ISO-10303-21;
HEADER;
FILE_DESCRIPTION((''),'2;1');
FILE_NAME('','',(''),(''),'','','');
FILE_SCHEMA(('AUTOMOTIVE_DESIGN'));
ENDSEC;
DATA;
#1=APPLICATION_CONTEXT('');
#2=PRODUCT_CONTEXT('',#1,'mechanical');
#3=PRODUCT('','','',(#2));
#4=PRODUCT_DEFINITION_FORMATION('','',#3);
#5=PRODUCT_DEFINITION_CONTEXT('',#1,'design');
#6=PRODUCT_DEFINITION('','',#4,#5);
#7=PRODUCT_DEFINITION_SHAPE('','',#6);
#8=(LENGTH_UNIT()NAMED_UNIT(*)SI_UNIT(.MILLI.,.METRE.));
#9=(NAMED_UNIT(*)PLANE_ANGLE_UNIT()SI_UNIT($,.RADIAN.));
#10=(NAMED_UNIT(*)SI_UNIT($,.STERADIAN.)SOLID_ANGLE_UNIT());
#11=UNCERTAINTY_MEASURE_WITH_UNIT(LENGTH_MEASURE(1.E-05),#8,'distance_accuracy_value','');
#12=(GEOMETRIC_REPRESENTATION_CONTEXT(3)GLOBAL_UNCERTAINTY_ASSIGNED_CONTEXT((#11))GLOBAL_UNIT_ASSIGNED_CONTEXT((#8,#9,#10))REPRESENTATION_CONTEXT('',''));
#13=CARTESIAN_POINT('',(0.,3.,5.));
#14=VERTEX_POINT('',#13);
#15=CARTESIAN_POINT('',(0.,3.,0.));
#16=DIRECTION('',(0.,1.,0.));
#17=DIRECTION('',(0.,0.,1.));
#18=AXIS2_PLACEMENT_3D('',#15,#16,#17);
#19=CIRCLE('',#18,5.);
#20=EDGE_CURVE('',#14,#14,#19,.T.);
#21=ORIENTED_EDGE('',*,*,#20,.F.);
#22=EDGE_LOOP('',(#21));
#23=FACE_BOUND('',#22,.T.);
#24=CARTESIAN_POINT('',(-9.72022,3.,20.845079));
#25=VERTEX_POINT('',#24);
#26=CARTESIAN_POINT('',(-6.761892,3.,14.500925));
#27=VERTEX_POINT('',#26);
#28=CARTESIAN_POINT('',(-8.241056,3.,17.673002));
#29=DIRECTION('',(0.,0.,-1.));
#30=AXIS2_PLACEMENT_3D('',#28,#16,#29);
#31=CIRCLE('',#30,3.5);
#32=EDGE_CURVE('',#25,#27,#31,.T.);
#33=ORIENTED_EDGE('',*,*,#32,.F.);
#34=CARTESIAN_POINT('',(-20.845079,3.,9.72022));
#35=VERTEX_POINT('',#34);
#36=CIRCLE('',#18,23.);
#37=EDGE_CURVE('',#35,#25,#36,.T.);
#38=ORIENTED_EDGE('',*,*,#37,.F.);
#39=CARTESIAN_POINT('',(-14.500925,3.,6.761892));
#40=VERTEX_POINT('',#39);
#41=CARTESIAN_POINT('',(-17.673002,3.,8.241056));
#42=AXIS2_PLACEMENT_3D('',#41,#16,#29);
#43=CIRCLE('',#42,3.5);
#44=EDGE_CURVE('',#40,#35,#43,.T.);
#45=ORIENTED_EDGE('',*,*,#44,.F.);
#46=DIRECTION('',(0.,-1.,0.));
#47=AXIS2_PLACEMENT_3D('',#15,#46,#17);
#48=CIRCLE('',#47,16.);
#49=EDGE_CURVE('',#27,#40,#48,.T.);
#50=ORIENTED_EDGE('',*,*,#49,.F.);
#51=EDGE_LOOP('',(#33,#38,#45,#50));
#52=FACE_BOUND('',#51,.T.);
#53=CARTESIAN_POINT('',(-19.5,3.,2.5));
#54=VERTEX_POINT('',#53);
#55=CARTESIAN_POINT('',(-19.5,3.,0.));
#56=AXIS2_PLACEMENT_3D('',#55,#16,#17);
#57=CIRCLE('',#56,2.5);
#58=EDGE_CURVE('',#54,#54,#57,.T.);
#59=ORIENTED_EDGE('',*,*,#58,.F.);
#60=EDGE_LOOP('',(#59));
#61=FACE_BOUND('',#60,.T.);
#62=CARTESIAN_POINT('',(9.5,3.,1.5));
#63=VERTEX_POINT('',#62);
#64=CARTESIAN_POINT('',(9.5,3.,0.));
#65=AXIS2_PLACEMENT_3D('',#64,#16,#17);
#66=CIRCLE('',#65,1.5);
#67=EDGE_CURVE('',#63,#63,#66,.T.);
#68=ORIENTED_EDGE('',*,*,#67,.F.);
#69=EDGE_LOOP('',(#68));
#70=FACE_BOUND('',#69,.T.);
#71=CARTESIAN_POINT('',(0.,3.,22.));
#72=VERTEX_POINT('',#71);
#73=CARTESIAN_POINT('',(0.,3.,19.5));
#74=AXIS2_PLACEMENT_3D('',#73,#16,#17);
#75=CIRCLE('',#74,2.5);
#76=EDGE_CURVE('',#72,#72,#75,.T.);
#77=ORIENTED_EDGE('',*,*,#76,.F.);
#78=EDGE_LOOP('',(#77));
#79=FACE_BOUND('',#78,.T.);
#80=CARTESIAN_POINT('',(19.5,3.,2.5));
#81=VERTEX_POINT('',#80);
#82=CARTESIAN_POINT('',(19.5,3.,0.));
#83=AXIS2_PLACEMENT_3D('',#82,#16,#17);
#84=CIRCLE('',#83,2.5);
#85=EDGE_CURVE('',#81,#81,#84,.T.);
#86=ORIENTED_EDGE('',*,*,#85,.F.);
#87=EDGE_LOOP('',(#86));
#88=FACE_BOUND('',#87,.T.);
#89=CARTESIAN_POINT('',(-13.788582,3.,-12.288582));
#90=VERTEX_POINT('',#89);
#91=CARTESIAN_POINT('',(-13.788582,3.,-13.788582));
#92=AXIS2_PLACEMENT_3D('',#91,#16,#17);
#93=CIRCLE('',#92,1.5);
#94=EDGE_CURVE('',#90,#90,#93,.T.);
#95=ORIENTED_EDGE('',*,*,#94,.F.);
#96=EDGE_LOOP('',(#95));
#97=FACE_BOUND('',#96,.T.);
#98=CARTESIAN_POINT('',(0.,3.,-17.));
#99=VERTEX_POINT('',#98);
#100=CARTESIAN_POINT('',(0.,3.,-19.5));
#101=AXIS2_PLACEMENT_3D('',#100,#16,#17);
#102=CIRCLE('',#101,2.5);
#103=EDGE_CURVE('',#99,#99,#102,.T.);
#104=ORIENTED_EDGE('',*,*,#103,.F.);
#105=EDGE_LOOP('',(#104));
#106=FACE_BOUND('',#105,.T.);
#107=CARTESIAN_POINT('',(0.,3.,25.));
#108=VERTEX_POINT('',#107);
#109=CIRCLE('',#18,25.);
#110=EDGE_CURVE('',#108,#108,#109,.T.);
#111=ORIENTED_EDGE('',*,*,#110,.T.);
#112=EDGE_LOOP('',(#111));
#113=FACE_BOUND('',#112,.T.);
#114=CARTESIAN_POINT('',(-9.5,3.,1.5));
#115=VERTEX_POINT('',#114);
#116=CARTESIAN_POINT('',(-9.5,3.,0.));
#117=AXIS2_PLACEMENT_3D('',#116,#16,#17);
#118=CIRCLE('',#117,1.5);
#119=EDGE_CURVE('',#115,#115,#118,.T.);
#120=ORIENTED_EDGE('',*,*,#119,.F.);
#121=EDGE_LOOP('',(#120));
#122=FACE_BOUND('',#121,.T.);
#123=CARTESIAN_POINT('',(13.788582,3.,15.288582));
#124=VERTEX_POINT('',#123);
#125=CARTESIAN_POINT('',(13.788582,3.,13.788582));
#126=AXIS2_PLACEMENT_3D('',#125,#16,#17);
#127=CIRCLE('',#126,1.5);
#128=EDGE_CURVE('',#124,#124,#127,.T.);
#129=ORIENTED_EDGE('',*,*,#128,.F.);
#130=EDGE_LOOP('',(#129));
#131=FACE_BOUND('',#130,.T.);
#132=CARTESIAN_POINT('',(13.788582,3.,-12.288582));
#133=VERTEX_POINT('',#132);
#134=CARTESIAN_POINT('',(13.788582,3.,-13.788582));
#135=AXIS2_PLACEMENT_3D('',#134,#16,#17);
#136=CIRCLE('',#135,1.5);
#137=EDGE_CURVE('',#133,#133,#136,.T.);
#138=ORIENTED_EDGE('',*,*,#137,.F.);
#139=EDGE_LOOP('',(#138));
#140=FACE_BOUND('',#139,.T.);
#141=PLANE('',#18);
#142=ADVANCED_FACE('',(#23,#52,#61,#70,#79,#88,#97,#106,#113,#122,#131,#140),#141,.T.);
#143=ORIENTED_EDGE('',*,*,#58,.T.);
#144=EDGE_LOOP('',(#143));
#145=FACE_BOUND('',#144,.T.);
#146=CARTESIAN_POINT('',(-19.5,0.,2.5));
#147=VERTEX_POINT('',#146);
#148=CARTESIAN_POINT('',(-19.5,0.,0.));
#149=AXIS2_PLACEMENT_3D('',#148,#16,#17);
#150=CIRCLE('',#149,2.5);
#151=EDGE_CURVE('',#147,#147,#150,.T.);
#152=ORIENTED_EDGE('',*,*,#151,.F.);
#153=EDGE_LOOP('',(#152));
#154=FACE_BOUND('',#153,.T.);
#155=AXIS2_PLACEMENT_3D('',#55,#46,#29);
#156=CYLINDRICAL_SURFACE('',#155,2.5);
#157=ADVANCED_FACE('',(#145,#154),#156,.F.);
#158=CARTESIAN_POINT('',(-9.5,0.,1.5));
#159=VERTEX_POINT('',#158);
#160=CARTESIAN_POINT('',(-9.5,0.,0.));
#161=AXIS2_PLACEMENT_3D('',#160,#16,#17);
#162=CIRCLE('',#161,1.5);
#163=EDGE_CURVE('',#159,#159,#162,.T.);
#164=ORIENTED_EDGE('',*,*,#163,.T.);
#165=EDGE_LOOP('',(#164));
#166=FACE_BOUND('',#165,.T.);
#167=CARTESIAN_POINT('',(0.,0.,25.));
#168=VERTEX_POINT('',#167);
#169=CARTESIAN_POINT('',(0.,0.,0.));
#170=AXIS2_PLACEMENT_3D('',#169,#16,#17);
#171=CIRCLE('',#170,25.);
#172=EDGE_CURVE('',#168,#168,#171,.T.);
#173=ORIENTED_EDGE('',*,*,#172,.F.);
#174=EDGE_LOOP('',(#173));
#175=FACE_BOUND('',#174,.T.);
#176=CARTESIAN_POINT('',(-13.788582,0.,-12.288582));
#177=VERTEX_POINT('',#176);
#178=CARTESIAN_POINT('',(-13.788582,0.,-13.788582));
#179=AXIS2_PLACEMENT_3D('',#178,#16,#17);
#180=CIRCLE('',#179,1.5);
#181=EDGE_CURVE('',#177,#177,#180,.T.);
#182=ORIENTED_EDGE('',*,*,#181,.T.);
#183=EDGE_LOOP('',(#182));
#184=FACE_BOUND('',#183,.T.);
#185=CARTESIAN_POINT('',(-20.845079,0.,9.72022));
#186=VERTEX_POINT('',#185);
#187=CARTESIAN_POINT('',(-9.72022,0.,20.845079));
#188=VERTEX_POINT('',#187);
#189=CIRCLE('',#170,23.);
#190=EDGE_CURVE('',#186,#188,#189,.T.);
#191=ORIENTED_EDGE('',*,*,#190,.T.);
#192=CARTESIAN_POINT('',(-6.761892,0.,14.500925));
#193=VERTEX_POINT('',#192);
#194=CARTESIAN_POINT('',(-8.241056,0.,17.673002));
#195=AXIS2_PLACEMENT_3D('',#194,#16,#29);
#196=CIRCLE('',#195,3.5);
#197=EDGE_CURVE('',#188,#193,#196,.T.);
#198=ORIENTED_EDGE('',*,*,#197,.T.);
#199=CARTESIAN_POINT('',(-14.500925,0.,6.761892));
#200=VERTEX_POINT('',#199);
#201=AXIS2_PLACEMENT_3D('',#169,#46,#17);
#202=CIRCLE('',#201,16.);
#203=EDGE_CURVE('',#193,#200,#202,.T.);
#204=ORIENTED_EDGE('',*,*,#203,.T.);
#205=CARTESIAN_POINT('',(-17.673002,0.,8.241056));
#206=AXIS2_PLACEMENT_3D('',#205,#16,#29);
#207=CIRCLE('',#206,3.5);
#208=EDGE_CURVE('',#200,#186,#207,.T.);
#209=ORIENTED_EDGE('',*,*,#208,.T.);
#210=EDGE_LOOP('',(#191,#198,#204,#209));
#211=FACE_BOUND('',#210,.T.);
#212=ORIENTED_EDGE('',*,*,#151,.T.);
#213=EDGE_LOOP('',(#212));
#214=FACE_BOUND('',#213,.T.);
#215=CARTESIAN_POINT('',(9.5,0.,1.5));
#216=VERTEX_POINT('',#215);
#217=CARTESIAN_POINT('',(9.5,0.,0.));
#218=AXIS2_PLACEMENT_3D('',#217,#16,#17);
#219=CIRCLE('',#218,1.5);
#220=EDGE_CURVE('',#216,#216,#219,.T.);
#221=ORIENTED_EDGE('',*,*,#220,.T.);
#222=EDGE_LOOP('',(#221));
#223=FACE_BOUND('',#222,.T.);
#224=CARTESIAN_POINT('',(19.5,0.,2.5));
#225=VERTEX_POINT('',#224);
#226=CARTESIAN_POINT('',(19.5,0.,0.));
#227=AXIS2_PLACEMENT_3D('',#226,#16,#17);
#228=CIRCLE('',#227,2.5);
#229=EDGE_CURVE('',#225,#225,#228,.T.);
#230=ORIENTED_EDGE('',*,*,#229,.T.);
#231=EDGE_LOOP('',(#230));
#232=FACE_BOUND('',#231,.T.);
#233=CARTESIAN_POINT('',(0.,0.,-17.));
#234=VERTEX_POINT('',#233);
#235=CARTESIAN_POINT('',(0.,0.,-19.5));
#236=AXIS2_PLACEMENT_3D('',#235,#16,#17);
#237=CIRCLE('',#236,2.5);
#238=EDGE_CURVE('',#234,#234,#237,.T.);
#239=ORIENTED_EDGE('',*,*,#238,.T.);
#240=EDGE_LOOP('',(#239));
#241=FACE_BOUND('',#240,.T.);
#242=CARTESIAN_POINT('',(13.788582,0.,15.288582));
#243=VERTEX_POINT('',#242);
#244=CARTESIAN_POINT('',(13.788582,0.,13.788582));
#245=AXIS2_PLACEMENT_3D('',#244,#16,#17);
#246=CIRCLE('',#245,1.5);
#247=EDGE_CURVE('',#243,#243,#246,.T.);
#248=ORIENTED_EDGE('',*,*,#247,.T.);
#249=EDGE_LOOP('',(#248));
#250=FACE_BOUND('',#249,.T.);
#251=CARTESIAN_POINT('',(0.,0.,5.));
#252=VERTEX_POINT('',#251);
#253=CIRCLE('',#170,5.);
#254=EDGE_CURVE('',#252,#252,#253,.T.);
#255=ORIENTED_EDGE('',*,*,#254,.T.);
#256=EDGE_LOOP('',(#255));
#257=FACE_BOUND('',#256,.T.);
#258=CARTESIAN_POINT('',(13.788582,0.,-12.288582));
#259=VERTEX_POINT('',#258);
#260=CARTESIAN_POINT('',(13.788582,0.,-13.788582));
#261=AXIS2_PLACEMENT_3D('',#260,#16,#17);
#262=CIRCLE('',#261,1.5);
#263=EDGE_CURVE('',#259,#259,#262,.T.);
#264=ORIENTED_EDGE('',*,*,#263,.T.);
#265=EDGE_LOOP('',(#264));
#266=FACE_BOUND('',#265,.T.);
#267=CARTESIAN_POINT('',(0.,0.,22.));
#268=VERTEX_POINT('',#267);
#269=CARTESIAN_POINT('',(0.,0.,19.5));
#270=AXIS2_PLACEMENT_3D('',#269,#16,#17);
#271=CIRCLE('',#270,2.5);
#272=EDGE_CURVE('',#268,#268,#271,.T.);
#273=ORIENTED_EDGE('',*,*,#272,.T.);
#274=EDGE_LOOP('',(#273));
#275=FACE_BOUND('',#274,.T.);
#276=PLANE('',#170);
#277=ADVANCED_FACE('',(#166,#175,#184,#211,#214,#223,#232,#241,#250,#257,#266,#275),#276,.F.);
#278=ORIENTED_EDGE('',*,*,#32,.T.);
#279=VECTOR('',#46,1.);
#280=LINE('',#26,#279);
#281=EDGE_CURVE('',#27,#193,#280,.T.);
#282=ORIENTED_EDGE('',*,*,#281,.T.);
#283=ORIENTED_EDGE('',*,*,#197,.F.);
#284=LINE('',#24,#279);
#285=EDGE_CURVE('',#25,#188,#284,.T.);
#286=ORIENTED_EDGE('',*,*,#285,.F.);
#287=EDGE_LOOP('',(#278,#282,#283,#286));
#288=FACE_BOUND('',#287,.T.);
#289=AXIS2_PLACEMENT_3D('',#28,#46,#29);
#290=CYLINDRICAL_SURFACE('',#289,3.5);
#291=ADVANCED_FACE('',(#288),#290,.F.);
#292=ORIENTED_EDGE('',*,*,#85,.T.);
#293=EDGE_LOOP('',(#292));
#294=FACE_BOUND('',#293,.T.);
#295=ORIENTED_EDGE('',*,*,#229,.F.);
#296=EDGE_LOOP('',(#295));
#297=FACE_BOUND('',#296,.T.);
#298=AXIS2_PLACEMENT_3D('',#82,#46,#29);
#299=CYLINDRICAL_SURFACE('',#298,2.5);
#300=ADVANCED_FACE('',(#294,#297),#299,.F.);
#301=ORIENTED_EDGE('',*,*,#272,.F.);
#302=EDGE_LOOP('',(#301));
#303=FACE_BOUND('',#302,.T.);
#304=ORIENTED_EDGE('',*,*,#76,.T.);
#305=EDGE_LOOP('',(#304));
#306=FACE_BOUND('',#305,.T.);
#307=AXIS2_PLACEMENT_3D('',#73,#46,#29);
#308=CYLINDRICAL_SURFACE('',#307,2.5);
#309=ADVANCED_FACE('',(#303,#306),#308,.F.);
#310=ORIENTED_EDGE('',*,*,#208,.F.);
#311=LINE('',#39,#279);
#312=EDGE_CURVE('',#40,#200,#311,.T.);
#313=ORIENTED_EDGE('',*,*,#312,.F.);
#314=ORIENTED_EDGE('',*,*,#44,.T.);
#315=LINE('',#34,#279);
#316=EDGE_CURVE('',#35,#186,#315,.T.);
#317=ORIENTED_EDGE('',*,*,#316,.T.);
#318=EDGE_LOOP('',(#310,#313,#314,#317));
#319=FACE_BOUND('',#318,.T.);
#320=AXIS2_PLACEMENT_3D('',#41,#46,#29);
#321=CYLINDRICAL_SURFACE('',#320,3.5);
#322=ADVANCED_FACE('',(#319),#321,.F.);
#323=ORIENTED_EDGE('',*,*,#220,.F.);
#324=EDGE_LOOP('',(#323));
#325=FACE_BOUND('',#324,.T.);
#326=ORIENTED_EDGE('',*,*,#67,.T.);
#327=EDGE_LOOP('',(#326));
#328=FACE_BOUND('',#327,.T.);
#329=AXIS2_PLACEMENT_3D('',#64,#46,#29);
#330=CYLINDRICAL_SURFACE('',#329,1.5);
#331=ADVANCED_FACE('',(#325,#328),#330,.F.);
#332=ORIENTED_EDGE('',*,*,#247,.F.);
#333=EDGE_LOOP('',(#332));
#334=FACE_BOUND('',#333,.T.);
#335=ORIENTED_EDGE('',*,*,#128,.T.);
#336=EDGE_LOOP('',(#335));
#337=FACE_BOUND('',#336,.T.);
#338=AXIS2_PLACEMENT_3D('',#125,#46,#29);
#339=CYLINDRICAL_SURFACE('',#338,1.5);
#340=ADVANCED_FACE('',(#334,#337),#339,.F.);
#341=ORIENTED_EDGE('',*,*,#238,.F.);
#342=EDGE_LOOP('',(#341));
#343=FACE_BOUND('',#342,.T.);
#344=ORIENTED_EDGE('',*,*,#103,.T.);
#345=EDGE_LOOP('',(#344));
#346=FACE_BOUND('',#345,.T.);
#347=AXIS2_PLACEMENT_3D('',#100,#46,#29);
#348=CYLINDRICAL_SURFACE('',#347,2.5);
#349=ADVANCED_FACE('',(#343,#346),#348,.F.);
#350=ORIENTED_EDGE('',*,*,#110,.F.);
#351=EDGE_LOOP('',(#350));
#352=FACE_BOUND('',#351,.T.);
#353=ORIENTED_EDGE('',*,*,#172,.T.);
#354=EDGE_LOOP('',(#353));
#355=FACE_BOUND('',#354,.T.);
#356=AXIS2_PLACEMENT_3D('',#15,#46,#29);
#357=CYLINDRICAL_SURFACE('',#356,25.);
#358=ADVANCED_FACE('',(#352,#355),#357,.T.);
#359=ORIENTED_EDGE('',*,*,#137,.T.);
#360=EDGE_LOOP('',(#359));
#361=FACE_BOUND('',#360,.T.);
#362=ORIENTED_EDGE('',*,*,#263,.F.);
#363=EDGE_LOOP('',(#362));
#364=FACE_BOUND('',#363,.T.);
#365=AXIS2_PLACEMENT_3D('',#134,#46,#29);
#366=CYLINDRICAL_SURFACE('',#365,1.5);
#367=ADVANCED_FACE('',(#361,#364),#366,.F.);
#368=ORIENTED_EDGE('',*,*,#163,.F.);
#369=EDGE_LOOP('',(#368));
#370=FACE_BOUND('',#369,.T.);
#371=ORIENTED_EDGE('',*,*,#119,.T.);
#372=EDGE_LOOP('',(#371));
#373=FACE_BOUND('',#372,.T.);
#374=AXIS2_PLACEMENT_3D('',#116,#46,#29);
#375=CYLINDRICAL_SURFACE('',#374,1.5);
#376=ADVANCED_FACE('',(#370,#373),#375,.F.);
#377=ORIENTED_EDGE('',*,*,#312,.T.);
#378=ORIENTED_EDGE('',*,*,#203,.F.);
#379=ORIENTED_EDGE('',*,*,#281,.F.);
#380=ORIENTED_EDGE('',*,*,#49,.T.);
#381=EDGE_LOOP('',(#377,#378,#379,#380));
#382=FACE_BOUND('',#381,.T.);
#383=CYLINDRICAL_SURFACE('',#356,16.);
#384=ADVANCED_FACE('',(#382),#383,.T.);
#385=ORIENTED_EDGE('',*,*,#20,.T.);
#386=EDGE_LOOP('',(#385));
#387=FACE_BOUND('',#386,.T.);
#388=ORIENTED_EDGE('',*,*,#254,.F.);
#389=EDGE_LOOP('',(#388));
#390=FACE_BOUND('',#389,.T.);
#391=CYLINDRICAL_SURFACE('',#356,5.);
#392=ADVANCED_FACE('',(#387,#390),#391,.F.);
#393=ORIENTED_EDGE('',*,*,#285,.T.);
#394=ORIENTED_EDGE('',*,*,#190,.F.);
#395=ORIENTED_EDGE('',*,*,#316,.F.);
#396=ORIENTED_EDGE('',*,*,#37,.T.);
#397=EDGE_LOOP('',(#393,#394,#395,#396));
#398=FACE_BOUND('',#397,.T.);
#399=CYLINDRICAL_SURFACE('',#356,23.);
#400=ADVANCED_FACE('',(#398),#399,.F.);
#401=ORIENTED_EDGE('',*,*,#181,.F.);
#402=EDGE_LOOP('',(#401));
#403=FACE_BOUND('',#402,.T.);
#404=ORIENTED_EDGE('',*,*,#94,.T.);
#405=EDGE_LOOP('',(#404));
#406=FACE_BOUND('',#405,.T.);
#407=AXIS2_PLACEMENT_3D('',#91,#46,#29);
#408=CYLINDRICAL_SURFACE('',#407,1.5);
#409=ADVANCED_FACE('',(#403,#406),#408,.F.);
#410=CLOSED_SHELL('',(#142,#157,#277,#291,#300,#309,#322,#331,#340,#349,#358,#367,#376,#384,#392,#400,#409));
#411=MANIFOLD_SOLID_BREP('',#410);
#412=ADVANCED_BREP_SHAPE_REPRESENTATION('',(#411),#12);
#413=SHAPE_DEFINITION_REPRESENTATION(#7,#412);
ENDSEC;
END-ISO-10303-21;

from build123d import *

# Parameters (mm, degrees)
SKETCH_1_R      = 25
SKETCH_1_R_2    = 5
SKETCH_1_R_3    = 1.5
SKETCH_1_R_4    = 2.5
EXTRUDE_1_DEPTH = 3


with BuildPart() as part:
    # 草圖1 → 填料-伸長1 (new body)
    with BuildSketch(Plane(origin=(0, 0, 0), x_dir=(1, 0, 0), z_dir=(0, 1, 0))):
        with Locations(Location((0, 0, 0), (0, 0, 270))):
            Circle(SKETCH_1_R)
        with Locations(Location((0, 0, 0), (0, 0, 270))):
            Circle(SKETCH_1_R_2, mode=Mode.SUBTRACT)
        with Locations(Location((-9.5, 0, 0), (0, 0, 270))):
            Circle(SKETCH_1_R_3, mode=Mode.SUBTRACT)
        with Locations(Location((9.5, 0, 0), (0, 0, 270))):
            Circle(SKETCH_1_R_3, mode=Mode.SUBTRACT)
        with Locations(Location((0, 19.5, 0), (0, 0, 270))):
            Circle(SKETCH_1_R_4, mode=Mode.SUBTRACT)
        with Locations(Location((19.5, 0, 0), (0, 0, 270))):
            Circle(SKETCH_1_R_4, mode=Mode.SUBTRACT)
        with Locations(Location((0, -19.5, 0), (0, 0, 270))):
            Circle(SKETCH_1_R_4, mode=Mode.SUBTRACT)
        with Locations(Location((-19.5, 0, 0), (0, 0, 270))):
            Circle(SKETCH_1_R_4, mode=Mode.SUBTRACT)
        with Locations(Location((-13.788582233, 13.788582233, 0), (0, 0, 270))):
            Circle(SKETCH_1_R_3, mode=Mode.SUBTRACT)
        with Locations(Location((13.788582233, 13.788582233, 0), (0, 0, 270))):
            Circle(SKETCH_1_R_3, mode=Mode.SUBTRACT)
        with Locations(Location((13.788582233, -13.788582233, 0), (0, 0, 270))):
            Circle(SKETCH_1_R_3, mode=Mode.SUBTRACT)
        with BuildLine():
            ThreePointArc((-20.845079102, -9.72022002), (-16.263455967, -16.263455967), (-9.72022002, -20.845079102))
            ThreePointArc((-9.72022002, -20.845079102), (-5.068978849, -19.152165763), (-6.761892188, -14.500924593))
            ThreePointArc((-6.761892188, -14.500924593), (-11.313708499, -11.313708499), (-14.500924593, -6.761892188))
            ThreePointArc((-14.500924593, -6.761892188), (-19.152165763, -5.068978849), (-20.845079102, -9.72022002))
        make_face(mode=Mode.SUBTRACT)
    extrude(amount=EXTRUDE_1_DEPTH)


solid = part.part
